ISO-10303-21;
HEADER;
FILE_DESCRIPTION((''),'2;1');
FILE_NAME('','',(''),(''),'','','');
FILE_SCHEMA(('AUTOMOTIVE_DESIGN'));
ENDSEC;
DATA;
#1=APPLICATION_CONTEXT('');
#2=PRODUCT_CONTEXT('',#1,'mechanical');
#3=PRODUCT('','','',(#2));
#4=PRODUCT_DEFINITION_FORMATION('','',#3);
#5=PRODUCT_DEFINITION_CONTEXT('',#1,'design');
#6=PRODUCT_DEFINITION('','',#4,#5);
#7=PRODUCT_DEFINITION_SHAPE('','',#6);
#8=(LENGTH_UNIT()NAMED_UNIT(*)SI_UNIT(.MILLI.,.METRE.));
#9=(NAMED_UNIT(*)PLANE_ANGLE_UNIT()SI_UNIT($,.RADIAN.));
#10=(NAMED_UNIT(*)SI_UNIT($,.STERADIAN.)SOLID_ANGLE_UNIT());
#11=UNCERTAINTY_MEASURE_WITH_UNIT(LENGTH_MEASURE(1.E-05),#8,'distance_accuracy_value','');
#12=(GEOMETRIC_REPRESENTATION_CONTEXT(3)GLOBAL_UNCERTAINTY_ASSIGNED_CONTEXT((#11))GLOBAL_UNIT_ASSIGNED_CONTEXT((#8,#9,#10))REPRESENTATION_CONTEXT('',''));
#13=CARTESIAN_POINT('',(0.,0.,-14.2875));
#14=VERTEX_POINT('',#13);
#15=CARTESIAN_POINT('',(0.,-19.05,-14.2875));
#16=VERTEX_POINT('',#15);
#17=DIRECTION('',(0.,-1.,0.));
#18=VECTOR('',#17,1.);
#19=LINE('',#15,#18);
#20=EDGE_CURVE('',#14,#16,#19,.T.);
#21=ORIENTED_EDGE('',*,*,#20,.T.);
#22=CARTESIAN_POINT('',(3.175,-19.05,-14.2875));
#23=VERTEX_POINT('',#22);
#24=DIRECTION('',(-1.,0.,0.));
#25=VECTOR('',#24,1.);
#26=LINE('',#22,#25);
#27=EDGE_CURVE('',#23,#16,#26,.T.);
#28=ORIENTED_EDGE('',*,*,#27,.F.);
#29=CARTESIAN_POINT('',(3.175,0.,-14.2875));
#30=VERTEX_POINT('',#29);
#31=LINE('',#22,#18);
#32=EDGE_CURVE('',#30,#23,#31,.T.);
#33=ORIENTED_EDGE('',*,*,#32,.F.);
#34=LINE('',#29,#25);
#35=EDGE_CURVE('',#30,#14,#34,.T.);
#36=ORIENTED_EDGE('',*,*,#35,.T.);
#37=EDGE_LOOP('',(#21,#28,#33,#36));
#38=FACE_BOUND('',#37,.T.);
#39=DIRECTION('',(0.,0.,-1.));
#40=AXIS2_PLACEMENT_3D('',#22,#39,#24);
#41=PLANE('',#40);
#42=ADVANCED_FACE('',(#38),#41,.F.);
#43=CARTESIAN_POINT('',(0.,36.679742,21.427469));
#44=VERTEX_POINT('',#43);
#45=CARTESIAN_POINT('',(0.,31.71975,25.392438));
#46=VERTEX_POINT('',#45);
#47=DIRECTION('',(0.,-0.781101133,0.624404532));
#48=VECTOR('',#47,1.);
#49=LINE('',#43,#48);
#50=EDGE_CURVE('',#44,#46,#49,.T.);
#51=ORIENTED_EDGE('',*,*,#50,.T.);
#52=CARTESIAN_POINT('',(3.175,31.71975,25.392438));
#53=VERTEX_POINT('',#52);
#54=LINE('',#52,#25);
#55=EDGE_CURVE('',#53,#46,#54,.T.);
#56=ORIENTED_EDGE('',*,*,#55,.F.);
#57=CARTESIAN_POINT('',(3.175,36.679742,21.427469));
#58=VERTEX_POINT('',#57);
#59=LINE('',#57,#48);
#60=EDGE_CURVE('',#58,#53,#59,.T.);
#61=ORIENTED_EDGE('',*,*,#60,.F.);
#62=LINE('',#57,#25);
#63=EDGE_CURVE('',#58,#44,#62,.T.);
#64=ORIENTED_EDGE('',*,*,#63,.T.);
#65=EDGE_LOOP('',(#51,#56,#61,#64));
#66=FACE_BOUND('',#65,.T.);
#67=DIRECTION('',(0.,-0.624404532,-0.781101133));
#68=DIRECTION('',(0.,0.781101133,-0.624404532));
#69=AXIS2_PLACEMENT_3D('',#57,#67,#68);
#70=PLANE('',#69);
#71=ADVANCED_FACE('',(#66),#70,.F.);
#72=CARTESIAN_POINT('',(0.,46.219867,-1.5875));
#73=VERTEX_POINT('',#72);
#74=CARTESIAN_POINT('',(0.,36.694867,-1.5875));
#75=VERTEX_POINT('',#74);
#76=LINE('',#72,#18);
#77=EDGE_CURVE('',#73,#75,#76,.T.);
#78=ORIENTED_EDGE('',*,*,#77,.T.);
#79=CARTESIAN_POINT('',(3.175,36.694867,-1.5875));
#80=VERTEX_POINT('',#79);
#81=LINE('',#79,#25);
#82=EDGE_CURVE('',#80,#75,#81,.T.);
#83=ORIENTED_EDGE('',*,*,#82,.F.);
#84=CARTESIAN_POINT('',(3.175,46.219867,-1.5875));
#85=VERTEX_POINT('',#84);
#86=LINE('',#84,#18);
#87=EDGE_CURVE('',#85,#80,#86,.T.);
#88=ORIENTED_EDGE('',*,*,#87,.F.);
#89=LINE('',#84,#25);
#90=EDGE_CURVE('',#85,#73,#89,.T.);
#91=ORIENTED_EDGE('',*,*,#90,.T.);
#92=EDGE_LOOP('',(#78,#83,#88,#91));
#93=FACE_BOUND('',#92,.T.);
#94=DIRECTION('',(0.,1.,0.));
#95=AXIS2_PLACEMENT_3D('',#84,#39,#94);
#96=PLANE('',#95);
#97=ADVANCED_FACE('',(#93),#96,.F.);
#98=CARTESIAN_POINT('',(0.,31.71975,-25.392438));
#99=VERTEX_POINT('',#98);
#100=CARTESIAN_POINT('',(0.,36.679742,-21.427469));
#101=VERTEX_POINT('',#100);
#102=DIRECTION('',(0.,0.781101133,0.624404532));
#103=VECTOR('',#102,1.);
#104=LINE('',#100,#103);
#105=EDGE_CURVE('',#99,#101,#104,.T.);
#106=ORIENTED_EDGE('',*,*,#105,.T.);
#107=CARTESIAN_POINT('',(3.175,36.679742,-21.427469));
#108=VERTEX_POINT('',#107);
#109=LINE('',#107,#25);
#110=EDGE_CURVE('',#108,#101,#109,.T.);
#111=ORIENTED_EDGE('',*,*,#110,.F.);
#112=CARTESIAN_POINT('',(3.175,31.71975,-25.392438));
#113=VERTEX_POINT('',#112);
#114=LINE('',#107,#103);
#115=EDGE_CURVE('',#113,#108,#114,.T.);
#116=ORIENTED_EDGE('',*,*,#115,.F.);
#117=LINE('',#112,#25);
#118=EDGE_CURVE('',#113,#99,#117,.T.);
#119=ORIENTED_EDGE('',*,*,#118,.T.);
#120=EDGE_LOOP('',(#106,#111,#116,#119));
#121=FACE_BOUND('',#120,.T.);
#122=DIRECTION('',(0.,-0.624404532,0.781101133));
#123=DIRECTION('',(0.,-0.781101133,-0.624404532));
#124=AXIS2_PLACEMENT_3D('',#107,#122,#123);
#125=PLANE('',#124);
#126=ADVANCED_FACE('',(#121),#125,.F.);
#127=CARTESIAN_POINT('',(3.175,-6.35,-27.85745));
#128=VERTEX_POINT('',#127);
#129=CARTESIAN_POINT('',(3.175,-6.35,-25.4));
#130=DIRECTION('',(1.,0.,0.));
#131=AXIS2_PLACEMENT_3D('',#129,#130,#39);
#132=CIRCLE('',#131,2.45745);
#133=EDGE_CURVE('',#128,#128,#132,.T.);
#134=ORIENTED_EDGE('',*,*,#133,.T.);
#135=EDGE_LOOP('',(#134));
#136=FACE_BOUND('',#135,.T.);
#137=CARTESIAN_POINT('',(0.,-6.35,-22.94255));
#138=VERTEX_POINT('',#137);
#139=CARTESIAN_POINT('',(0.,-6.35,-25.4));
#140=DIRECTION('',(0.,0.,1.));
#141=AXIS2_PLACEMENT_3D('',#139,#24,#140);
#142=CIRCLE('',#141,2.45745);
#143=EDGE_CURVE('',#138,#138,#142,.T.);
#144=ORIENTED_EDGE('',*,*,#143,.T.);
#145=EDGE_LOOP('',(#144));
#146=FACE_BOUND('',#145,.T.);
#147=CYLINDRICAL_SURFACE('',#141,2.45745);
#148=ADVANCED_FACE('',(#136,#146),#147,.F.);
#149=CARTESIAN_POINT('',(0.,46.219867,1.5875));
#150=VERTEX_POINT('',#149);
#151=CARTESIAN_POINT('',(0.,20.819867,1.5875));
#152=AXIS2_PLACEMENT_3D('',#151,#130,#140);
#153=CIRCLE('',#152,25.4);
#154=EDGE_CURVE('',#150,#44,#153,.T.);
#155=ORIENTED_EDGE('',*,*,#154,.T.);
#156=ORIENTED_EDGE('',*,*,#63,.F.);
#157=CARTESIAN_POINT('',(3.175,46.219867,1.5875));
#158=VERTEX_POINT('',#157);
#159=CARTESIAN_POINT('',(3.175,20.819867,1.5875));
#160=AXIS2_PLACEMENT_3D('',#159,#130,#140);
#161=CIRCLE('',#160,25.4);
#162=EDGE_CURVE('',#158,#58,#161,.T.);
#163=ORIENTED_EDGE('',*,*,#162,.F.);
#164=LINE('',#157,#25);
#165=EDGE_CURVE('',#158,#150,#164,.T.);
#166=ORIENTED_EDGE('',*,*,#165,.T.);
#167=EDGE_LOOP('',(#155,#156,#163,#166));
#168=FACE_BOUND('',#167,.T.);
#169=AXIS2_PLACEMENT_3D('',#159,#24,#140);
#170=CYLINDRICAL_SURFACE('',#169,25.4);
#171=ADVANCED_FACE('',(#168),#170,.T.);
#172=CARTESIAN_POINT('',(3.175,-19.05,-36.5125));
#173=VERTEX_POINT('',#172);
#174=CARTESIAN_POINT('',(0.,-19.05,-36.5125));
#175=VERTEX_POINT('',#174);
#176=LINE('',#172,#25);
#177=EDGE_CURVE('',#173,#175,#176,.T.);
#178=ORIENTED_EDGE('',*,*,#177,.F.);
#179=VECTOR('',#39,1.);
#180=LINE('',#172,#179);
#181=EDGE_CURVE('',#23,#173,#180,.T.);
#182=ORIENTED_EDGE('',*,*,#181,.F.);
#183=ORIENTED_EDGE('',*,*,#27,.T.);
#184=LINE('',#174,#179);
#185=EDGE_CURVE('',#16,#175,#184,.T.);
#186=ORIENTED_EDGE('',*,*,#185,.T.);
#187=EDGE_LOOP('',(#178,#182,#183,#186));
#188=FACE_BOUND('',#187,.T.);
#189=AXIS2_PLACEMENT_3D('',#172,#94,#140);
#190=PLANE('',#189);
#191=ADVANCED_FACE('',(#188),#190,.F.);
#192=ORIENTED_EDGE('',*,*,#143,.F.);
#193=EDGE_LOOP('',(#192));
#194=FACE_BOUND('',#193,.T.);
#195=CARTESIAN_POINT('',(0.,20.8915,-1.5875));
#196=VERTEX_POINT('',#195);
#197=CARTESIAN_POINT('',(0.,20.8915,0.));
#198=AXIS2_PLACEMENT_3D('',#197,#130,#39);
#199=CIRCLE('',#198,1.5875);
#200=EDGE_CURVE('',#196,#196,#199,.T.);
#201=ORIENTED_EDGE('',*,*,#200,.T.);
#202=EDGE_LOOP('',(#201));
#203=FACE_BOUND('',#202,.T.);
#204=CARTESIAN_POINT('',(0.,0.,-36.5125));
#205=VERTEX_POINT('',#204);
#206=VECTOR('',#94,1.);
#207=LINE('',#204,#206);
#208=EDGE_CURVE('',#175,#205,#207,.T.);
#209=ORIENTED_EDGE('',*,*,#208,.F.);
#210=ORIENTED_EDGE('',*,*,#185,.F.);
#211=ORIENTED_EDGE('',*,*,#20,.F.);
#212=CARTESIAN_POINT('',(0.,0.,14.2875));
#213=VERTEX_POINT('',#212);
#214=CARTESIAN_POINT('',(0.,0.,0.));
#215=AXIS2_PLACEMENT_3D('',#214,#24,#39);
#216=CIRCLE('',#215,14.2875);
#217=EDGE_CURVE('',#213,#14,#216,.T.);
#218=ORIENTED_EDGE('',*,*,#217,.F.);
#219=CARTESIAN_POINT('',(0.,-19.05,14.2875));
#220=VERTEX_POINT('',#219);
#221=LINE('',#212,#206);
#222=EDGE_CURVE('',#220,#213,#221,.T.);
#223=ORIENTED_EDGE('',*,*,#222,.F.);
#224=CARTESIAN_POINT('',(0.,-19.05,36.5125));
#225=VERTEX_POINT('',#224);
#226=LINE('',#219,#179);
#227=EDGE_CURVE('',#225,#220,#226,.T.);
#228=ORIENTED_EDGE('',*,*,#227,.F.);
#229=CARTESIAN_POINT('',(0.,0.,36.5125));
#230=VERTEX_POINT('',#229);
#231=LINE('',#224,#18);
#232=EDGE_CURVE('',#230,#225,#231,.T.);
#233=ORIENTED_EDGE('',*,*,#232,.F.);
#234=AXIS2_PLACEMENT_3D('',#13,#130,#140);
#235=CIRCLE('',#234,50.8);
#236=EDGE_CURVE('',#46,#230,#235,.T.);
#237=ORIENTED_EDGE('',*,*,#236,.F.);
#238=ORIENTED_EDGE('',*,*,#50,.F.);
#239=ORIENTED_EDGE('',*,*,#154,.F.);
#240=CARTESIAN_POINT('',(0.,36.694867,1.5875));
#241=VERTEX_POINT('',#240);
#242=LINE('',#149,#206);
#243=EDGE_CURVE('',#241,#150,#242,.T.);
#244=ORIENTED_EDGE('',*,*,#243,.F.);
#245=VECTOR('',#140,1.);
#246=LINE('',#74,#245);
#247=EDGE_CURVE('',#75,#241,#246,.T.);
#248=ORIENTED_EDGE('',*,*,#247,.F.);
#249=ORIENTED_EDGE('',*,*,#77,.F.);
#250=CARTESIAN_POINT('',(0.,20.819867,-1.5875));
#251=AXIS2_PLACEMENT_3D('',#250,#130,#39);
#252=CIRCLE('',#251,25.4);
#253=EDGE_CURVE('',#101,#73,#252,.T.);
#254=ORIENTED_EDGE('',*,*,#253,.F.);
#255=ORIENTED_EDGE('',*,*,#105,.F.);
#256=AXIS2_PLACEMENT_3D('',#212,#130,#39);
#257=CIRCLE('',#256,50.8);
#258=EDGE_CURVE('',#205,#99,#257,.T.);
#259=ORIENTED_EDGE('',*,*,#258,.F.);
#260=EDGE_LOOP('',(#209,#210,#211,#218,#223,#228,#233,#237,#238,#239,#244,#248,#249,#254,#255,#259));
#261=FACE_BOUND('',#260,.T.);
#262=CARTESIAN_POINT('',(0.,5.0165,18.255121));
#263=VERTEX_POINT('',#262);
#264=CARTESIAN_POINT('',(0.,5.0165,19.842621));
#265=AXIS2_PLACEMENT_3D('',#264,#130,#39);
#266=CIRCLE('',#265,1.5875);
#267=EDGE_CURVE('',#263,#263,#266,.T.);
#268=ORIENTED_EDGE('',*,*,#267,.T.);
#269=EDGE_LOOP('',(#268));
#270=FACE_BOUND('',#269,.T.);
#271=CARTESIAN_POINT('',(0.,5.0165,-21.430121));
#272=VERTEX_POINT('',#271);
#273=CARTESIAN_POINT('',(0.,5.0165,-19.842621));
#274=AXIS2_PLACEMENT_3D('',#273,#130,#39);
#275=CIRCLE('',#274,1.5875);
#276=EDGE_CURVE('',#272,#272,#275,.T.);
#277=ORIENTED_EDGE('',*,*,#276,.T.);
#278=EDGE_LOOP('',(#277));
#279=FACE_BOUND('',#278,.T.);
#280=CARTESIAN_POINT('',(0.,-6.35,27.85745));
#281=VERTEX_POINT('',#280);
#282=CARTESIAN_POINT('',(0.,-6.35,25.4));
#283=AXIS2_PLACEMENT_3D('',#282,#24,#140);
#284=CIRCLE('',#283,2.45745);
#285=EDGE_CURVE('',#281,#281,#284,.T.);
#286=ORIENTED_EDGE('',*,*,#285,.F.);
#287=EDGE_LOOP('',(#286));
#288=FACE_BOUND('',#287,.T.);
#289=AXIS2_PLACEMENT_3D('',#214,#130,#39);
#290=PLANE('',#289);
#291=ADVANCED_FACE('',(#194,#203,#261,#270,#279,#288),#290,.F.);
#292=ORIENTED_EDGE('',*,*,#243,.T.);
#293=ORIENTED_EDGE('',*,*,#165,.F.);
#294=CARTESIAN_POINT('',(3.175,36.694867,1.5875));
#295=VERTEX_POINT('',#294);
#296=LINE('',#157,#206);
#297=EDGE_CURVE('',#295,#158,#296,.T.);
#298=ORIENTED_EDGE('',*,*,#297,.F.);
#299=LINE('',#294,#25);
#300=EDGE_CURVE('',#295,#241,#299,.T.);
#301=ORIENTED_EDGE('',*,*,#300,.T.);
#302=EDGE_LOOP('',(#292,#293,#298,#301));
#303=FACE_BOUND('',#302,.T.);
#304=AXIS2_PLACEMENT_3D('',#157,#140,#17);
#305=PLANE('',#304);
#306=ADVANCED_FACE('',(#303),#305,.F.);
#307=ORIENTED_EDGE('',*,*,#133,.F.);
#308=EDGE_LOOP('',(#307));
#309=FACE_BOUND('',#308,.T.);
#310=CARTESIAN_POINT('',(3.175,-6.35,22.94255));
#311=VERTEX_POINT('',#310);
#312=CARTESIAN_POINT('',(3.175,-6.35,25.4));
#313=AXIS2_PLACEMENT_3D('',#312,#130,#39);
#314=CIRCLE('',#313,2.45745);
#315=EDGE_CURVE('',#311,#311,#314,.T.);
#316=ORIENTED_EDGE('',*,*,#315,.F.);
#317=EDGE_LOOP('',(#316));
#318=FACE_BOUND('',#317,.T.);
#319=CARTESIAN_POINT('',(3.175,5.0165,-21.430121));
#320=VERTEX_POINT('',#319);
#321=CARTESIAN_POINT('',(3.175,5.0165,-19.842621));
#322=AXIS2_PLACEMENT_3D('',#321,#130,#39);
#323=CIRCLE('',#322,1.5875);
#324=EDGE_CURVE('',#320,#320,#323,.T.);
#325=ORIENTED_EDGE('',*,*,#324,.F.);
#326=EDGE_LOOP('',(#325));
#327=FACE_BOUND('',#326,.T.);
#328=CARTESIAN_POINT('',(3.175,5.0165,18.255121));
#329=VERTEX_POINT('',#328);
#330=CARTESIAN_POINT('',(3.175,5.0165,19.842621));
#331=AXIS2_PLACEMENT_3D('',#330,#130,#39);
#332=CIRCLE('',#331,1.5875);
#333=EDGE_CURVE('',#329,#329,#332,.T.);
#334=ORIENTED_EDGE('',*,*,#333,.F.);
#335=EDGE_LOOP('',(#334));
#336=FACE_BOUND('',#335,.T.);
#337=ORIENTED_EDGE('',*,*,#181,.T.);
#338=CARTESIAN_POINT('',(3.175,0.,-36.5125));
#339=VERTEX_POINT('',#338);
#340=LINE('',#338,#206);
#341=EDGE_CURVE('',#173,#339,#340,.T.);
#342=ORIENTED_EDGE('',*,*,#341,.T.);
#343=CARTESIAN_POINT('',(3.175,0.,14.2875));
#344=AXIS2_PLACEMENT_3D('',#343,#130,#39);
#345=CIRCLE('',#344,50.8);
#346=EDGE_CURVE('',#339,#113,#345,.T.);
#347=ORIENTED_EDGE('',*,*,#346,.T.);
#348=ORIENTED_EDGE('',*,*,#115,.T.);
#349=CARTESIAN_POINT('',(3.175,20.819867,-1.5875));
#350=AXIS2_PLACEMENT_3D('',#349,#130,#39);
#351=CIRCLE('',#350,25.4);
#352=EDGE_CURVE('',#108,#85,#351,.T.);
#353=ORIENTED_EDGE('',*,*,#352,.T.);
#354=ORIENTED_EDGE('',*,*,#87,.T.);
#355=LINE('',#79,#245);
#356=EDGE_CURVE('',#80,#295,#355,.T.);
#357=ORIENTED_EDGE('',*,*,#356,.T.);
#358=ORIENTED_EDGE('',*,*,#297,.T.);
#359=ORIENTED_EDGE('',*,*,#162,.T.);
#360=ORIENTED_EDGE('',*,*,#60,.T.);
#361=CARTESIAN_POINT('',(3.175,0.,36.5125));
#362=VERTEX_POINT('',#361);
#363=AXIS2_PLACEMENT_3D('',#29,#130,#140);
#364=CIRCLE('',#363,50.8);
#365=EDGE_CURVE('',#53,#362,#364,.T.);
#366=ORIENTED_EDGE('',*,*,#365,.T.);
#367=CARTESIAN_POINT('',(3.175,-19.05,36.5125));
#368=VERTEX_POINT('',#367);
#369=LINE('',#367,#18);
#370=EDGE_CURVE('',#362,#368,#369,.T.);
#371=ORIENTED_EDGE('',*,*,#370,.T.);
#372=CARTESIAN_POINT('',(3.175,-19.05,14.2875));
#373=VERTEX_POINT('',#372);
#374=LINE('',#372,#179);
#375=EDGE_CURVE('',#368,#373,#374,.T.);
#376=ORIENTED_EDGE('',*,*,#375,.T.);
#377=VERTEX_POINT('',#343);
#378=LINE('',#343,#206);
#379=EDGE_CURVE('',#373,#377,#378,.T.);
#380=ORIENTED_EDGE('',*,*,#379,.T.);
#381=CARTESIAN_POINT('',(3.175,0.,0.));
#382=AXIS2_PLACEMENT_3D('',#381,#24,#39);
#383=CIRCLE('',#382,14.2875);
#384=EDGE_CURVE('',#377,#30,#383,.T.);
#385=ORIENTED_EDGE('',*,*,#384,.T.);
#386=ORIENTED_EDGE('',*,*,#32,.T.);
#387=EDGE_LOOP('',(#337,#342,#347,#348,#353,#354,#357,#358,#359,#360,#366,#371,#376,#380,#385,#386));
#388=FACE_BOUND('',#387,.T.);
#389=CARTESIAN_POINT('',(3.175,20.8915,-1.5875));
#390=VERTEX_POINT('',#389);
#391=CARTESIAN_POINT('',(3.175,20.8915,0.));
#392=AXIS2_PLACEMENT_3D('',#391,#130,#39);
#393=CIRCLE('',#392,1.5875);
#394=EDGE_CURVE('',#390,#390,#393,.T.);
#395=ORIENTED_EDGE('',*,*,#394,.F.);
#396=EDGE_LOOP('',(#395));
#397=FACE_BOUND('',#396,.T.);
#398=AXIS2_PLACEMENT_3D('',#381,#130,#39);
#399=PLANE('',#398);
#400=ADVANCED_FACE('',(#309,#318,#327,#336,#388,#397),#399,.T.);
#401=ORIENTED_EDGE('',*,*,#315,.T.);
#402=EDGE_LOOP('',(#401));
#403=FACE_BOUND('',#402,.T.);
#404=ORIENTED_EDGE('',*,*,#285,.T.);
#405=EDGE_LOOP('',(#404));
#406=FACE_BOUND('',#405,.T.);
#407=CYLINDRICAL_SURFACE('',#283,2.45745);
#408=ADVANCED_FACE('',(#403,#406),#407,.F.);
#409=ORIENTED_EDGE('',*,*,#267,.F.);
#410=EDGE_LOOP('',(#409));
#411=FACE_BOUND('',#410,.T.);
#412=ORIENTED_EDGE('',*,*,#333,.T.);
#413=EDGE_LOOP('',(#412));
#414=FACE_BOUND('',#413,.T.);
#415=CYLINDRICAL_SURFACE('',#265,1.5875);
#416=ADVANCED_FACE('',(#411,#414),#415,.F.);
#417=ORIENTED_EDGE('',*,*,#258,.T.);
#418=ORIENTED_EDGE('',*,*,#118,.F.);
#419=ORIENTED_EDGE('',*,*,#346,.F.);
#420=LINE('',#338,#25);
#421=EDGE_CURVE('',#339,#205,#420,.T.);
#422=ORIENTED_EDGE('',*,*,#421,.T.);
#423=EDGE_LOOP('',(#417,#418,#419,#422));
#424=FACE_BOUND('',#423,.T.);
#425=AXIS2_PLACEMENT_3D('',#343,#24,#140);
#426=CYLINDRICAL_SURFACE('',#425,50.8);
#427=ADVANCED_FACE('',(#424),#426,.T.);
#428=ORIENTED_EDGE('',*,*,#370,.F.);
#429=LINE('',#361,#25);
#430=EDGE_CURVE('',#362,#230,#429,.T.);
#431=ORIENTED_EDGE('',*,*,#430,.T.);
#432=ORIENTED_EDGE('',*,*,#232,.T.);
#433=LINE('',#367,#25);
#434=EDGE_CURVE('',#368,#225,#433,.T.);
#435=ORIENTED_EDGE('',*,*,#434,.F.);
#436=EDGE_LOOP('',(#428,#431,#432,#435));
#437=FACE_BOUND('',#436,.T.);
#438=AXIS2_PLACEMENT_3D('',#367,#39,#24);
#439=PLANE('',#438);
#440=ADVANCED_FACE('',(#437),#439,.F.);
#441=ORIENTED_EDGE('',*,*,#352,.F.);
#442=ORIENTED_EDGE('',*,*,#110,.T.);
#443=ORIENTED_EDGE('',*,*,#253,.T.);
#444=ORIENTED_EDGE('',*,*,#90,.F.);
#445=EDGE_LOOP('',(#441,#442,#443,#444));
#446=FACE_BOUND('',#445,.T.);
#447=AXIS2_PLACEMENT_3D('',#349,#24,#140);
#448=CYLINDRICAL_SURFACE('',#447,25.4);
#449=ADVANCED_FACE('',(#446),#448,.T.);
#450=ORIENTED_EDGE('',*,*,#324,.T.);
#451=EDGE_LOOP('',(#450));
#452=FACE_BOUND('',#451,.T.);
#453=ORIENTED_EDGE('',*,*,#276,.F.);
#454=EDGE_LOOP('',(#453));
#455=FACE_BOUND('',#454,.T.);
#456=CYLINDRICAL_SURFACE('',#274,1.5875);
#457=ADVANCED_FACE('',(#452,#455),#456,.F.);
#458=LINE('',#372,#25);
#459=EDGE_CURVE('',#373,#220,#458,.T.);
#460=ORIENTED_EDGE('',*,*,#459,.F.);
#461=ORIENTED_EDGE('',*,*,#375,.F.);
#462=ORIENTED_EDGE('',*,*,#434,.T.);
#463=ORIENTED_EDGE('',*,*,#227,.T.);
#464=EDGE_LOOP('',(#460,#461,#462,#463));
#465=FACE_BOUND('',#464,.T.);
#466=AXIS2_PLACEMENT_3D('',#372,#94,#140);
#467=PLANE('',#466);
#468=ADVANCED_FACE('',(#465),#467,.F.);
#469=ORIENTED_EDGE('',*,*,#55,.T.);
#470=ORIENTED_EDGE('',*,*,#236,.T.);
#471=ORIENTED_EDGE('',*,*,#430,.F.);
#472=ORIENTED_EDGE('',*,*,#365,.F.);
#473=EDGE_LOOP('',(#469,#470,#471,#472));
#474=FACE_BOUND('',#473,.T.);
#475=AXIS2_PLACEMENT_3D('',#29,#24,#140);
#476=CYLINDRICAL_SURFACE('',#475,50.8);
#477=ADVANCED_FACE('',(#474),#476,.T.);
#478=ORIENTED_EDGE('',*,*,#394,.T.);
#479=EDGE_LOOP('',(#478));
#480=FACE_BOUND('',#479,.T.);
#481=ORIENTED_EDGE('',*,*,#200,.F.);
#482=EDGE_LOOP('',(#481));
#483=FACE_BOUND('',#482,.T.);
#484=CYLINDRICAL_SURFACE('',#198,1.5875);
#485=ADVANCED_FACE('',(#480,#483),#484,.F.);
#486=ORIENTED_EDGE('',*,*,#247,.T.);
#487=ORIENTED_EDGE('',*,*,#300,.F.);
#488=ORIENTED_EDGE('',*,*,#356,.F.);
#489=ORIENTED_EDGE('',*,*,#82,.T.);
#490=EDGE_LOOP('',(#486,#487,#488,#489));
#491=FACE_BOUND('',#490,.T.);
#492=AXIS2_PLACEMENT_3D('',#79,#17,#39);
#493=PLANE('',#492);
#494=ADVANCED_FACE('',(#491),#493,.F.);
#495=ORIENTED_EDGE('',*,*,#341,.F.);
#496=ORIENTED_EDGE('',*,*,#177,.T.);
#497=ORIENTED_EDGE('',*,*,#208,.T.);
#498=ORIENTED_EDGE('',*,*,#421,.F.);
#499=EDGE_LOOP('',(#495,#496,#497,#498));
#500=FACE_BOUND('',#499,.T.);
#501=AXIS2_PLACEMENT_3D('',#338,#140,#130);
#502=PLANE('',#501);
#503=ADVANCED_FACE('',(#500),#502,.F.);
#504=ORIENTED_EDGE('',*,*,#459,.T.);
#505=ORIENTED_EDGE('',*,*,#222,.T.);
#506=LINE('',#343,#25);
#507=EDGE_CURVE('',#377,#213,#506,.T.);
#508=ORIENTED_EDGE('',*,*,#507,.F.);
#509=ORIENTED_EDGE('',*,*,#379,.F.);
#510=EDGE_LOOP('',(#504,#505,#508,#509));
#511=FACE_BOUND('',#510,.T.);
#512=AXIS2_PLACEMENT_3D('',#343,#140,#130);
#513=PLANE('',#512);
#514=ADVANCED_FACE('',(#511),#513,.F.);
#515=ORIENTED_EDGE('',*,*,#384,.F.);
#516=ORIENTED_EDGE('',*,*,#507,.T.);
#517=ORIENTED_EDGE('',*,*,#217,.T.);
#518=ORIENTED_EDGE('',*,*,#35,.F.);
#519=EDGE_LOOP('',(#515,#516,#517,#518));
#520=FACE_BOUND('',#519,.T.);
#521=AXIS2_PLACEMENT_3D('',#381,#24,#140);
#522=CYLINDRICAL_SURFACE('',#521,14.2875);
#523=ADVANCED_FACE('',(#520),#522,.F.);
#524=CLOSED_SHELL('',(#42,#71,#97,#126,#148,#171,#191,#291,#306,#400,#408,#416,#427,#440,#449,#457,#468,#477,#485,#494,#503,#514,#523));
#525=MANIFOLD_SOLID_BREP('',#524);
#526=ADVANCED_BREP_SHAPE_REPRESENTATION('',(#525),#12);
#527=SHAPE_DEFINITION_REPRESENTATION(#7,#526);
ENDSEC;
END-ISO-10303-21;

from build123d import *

# Parameters (mm, degrees)
BOSS_EXTRUDE1_DEPTH              = 3.175
F_10_0_1935_DIAMETER_HOLE1_D     = 4.9149
F_10_0_1935_DIAMETER_HOLE1_DEPTH = 19.001994
F_10_0_1935_DIAMETER_HOLE1_TIP   = 1.476584928
SKETCH4_R                        = 1.5875
CUT_EXTRUDE1_DEPTH               = 59.987451342


with BuildPart() as part:
    # Sketch1 → Boss-Extrude1 (new body)
    with BuildSketch(Plane(origin=(0, 0, 0), x_dir=(0, 0, -1), z_dir=(1, 0, 0))):
        with BuildLine():
            Line((1.5875, 46.219867315), (1.5875, 36.694867315))
            Line((1.5875, 36.694867315), (-1.5875, 36.694867315))
            Line((-1.5875, 36.694867315), (-1.5875, 46.219867315))
            ThreePointArc((-1.5875, 46.219867315), (-12.594751518, 43.710922642), (-21.42746878, 36.679742434))
            Line((-21.42746878, 36.679742434), (-25.39243756, 31.719750239))
            ThreePointArc((-25.39243756, 31.719750239), (-33.651945283, 16.80623652), (-36.5125, 0))
            Line((-36.5125, 0), (-36.5125, -19.05))
            Line((-36.5125, -19.05), (-14.2875, -19.05))
            Line((-14.2875, -19.05), (-14.2875, 0))
            ThreePointArc((-14.2875, 0), (0, 14.2875), (14.2875, 0))
            Line((14.2875, 0), (14.2875, -19.05))
            Line((14.2875, -19.05), (36.5125, -19.05))
            Line((36.5125, -19.05), (36.5125, 0))
            ThreePointArc((36.5125, 0), (33.651945283, 16.80623652), (25.39243756, 31.719750239))
            Line((25.39243756, 31.719750239), (21.42746878, 36.679742434))
            ThreePointArc((21.42746878, 36.679742434), (12.594751518, 43.710922642), (1.5875, 46.219867315))
        make_face()
    extrude(amount=BOSS_EXTRUDE1_DEPTH)

    # #10 (0.1935) Diameter Hole1
    with Locations(Plane.ZY):
        with Locations((-25.4, -6.35), (25.4, -6.35)):
            Hole(F_10_0_1935_DIAMETER_HOLE1_D / 2, depth=F_10_0_1935_DIAMETER_HOLE1_DEPTH)
            with Locations((0, 0, -(F_10_0_1935_DIAMETER_HOLE1_DEPTH + F_10_0_1935_DIAMETER_HOLE1_TIP / 2))):  # 118° drill point
                Cone(0, F_10_0_1935_DIAMETER_HOLE1_D / 2, F_10_0_1935_DIAMETER_HOLE1_TIP, mode=Mode.SUBTRACT)

    # Sketch4 → Cut-Extrude1 (cut, through all)
    with BuildSketch(Plane(origin=(3.175, 0, 0), x_dir=(0, 0, -1), z_dir=(1, 0, 0))):
        with Locations((-19.842621022, 5.0165)):
            Circle(SKETCH4_R)
        with Locations((0, 20.8915)):
            Circle(SKETCH4_R)
        with Locations((19.842621022, 5.0165)):
            Circle(SKETCH4_R)
    extrude(amount=-CUT_EXTRUDE1_DEPTH, mode=Mode.SUBTRACT)


solid = part.part
